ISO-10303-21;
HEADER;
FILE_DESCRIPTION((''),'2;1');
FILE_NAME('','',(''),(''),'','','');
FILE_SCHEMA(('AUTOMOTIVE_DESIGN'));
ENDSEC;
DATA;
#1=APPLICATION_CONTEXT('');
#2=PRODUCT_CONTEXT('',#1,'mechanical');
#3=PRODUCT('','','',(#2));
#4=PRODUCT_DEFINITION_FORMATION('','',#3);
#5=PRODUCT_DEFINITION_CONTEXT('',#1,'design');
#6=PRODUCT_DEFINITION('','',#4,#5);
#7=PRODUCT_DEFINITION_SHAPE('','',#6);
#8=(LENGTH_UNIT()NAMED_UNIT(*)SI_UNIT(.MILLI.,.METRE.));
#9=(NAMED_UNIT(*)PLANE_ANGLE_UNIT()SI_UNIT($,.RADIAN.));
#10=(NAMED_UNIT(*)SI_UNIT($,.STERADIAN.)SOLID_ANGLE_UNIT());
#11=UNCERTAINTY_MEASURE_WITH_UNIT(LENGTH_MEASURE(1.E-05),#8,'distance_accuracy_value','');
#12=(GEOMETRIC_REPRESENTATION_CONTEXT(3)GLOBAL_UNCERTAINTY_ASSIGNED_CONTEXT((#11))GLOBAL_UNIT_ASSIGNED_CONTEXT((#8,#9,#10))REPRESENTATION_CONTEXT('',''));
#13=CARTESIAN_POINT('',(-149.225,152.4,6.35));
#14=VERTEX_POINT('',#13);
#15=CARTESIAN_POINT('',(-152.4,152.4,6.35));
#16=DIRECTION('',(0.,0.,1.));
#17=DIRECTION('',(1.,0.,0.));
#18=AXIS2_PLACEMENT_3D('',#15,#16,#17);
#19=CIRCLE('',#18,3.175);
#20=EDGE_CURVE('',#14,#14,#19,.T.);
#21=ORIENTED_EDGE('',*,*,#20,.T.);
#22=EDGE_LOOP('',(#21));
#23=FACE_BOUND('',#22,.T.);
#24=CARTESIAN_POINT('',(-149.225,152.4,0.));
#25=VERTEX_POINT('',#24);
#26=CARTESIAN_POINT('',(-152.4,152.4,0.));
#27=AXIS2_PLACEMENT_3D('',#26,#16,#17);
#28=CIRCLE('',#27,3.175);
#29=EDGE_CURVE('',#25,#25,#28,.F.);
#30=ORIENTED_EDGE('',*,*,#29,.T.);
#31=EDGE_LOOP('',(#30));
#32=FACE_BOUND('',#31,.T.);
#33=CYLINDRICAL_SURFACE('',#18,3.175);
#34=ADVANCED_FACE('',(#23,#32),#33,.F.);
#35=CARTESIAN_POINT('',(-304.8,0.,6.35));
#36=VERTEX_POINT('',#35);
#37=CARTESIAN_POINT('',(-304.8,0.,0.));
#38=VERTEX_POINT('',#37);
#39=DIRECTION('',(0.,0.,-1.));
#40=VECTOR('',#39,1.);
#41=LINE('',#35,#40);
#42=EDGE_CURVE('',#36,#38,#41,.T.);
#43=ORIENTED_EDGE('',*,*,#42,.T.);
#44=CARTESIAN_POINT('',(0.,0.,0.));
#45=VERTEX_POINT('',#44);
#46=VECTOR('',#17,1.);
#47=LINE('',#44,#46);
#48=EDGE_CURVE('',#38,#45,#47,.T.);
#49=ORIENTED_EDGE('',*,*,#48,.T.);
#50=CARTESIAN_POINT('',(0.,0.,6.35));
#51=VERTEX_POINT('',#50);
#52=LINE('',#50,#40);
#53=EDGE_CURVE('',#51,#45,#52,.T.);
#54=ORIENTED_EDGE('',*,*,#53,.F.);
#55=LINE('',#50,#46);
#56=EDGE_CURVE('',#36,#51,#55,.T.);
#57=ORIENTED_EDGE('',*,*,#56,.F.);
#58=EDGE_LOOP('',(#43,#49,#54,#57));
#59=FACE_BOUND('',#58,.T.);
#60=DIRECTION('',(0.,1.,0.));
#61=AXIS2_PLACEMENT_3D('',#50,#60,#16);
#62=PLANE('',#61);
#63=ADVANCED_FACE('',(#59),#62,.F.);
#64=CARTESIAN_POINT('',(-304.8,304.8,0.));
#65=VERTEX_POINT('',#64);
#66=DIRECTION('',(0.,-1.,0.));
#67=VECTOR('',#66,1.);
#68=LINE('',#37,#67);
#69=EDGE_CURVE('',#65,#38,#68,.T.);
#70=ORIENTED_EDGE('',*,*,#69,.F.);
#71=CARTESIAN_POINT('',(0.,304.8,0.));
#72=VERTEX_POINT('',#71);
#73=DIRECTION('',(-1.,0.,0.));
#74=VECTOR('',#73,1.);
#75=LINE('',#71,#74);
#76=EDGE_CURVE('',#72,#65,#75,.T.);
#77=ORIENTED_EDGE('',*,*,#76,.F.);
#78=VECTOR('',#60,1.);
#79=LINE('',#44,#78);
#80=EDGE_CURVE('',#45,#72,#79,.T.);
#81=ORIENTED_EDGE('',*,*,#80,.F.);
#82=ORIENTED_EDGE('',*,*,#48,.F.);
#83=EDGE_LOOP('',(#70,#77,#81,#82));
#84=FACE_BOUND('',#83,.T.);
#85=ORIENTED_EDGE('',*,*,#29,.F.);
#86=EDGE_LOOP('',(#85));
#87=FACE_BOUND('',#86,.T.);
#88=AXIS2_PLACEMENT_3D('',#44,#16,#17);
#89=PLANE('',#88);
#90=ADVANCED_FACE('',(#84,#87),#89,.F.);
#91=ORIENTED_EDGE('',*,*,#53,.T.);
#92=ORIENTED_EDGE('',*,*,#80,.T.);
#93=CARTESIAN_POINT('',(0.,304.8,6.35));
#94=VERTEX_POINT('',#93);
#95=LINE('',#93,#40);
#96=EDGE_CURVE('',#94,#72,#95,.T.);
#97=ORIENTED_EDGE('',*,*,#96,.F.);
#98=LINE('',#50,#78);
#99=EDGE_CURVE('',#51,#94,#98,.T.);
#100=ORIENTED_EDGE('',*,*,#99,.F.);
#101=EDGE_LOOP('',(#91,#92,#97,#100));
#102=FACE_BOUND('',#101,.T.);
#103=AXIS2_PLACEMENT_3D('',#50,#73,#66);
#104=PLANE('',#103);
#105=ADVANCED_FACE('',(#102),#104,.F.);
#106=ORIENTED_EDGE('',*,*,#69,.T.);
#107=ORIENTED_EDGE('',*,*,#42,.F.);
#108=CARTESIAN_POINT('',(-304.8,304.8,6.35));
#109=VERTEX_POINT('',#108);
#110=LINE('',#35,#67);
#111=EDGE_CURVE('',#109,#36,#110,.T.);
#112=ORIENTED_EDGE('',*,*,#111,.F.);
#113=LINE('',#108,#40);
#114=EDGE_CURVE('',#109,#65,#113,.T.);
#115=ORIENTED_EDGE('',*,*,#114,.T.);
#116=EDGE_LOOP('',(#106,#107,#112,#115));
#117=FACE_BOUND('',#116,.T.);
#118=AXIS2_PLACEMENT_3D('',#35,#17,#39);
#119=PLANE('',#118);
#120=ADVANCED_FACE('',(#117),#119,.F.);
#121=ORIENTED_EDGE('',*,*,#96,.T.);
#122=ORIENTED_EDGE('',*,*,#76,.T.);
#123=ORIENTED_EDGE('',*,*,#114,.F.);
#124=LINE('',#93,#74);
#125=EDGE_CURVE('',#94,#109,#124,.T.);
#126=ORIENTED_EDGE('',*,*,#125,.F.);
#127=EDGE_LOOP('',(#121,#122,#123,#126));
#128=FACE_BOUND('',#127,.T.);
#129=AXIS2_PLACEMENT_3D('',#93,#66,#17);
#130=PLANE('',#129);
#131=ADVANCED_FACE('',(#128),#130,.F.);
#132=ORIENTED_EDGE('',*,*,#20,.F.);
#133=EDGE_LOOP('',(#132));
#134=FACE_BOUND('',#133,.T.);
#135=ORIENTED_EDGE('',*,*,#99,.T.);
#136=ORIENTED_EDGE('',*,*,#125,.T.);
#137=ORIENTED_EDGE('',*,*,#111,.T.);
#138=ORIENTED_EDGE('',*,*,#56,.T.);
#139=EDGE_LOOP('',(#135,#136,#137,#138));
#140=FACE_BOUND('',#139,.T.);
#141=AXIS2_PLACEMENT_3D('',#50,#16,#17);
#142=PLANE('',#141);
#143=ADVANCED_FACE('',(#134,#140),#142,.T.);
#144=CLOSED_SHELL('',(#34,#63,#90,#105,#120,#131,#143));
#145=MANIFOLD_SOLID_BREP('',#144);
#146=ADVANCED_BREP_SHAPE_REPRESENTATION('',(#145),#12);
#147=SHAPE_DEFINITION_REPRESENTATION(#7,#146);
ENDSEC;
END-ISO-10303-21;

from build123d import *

# Parameters (mm, degrees)
SKETCH1_W                   = 304.8
SKETCH1_H                   = 304.8
BOSS_EXTRUDE1_DEPTH         = 6.35
F_1_4_0_25_DIAMETER_HOLE1_D = 6.35


with BuildPart() as part:
    # Sketch1 → Boss-Extrude1 (new body)
    with BuildSketch(Plane.XY):
        with Locations((-152.4, 152.4)):
            Rectangle(SKETCH1_W, SKETCH1_H)
    extrude(amount=BOSS_EXTRUDE1_DEPTH)

    # 1/4 (0.25) Diameter Hole1 (through all)
    with Locations(Plane.XY.offset(6.35)):
        with Locations((-152.4, 152.4)):
            Hole(F_1_4_0_25_DIAMETER_HOLE1_D / 2)


solid = part.part
